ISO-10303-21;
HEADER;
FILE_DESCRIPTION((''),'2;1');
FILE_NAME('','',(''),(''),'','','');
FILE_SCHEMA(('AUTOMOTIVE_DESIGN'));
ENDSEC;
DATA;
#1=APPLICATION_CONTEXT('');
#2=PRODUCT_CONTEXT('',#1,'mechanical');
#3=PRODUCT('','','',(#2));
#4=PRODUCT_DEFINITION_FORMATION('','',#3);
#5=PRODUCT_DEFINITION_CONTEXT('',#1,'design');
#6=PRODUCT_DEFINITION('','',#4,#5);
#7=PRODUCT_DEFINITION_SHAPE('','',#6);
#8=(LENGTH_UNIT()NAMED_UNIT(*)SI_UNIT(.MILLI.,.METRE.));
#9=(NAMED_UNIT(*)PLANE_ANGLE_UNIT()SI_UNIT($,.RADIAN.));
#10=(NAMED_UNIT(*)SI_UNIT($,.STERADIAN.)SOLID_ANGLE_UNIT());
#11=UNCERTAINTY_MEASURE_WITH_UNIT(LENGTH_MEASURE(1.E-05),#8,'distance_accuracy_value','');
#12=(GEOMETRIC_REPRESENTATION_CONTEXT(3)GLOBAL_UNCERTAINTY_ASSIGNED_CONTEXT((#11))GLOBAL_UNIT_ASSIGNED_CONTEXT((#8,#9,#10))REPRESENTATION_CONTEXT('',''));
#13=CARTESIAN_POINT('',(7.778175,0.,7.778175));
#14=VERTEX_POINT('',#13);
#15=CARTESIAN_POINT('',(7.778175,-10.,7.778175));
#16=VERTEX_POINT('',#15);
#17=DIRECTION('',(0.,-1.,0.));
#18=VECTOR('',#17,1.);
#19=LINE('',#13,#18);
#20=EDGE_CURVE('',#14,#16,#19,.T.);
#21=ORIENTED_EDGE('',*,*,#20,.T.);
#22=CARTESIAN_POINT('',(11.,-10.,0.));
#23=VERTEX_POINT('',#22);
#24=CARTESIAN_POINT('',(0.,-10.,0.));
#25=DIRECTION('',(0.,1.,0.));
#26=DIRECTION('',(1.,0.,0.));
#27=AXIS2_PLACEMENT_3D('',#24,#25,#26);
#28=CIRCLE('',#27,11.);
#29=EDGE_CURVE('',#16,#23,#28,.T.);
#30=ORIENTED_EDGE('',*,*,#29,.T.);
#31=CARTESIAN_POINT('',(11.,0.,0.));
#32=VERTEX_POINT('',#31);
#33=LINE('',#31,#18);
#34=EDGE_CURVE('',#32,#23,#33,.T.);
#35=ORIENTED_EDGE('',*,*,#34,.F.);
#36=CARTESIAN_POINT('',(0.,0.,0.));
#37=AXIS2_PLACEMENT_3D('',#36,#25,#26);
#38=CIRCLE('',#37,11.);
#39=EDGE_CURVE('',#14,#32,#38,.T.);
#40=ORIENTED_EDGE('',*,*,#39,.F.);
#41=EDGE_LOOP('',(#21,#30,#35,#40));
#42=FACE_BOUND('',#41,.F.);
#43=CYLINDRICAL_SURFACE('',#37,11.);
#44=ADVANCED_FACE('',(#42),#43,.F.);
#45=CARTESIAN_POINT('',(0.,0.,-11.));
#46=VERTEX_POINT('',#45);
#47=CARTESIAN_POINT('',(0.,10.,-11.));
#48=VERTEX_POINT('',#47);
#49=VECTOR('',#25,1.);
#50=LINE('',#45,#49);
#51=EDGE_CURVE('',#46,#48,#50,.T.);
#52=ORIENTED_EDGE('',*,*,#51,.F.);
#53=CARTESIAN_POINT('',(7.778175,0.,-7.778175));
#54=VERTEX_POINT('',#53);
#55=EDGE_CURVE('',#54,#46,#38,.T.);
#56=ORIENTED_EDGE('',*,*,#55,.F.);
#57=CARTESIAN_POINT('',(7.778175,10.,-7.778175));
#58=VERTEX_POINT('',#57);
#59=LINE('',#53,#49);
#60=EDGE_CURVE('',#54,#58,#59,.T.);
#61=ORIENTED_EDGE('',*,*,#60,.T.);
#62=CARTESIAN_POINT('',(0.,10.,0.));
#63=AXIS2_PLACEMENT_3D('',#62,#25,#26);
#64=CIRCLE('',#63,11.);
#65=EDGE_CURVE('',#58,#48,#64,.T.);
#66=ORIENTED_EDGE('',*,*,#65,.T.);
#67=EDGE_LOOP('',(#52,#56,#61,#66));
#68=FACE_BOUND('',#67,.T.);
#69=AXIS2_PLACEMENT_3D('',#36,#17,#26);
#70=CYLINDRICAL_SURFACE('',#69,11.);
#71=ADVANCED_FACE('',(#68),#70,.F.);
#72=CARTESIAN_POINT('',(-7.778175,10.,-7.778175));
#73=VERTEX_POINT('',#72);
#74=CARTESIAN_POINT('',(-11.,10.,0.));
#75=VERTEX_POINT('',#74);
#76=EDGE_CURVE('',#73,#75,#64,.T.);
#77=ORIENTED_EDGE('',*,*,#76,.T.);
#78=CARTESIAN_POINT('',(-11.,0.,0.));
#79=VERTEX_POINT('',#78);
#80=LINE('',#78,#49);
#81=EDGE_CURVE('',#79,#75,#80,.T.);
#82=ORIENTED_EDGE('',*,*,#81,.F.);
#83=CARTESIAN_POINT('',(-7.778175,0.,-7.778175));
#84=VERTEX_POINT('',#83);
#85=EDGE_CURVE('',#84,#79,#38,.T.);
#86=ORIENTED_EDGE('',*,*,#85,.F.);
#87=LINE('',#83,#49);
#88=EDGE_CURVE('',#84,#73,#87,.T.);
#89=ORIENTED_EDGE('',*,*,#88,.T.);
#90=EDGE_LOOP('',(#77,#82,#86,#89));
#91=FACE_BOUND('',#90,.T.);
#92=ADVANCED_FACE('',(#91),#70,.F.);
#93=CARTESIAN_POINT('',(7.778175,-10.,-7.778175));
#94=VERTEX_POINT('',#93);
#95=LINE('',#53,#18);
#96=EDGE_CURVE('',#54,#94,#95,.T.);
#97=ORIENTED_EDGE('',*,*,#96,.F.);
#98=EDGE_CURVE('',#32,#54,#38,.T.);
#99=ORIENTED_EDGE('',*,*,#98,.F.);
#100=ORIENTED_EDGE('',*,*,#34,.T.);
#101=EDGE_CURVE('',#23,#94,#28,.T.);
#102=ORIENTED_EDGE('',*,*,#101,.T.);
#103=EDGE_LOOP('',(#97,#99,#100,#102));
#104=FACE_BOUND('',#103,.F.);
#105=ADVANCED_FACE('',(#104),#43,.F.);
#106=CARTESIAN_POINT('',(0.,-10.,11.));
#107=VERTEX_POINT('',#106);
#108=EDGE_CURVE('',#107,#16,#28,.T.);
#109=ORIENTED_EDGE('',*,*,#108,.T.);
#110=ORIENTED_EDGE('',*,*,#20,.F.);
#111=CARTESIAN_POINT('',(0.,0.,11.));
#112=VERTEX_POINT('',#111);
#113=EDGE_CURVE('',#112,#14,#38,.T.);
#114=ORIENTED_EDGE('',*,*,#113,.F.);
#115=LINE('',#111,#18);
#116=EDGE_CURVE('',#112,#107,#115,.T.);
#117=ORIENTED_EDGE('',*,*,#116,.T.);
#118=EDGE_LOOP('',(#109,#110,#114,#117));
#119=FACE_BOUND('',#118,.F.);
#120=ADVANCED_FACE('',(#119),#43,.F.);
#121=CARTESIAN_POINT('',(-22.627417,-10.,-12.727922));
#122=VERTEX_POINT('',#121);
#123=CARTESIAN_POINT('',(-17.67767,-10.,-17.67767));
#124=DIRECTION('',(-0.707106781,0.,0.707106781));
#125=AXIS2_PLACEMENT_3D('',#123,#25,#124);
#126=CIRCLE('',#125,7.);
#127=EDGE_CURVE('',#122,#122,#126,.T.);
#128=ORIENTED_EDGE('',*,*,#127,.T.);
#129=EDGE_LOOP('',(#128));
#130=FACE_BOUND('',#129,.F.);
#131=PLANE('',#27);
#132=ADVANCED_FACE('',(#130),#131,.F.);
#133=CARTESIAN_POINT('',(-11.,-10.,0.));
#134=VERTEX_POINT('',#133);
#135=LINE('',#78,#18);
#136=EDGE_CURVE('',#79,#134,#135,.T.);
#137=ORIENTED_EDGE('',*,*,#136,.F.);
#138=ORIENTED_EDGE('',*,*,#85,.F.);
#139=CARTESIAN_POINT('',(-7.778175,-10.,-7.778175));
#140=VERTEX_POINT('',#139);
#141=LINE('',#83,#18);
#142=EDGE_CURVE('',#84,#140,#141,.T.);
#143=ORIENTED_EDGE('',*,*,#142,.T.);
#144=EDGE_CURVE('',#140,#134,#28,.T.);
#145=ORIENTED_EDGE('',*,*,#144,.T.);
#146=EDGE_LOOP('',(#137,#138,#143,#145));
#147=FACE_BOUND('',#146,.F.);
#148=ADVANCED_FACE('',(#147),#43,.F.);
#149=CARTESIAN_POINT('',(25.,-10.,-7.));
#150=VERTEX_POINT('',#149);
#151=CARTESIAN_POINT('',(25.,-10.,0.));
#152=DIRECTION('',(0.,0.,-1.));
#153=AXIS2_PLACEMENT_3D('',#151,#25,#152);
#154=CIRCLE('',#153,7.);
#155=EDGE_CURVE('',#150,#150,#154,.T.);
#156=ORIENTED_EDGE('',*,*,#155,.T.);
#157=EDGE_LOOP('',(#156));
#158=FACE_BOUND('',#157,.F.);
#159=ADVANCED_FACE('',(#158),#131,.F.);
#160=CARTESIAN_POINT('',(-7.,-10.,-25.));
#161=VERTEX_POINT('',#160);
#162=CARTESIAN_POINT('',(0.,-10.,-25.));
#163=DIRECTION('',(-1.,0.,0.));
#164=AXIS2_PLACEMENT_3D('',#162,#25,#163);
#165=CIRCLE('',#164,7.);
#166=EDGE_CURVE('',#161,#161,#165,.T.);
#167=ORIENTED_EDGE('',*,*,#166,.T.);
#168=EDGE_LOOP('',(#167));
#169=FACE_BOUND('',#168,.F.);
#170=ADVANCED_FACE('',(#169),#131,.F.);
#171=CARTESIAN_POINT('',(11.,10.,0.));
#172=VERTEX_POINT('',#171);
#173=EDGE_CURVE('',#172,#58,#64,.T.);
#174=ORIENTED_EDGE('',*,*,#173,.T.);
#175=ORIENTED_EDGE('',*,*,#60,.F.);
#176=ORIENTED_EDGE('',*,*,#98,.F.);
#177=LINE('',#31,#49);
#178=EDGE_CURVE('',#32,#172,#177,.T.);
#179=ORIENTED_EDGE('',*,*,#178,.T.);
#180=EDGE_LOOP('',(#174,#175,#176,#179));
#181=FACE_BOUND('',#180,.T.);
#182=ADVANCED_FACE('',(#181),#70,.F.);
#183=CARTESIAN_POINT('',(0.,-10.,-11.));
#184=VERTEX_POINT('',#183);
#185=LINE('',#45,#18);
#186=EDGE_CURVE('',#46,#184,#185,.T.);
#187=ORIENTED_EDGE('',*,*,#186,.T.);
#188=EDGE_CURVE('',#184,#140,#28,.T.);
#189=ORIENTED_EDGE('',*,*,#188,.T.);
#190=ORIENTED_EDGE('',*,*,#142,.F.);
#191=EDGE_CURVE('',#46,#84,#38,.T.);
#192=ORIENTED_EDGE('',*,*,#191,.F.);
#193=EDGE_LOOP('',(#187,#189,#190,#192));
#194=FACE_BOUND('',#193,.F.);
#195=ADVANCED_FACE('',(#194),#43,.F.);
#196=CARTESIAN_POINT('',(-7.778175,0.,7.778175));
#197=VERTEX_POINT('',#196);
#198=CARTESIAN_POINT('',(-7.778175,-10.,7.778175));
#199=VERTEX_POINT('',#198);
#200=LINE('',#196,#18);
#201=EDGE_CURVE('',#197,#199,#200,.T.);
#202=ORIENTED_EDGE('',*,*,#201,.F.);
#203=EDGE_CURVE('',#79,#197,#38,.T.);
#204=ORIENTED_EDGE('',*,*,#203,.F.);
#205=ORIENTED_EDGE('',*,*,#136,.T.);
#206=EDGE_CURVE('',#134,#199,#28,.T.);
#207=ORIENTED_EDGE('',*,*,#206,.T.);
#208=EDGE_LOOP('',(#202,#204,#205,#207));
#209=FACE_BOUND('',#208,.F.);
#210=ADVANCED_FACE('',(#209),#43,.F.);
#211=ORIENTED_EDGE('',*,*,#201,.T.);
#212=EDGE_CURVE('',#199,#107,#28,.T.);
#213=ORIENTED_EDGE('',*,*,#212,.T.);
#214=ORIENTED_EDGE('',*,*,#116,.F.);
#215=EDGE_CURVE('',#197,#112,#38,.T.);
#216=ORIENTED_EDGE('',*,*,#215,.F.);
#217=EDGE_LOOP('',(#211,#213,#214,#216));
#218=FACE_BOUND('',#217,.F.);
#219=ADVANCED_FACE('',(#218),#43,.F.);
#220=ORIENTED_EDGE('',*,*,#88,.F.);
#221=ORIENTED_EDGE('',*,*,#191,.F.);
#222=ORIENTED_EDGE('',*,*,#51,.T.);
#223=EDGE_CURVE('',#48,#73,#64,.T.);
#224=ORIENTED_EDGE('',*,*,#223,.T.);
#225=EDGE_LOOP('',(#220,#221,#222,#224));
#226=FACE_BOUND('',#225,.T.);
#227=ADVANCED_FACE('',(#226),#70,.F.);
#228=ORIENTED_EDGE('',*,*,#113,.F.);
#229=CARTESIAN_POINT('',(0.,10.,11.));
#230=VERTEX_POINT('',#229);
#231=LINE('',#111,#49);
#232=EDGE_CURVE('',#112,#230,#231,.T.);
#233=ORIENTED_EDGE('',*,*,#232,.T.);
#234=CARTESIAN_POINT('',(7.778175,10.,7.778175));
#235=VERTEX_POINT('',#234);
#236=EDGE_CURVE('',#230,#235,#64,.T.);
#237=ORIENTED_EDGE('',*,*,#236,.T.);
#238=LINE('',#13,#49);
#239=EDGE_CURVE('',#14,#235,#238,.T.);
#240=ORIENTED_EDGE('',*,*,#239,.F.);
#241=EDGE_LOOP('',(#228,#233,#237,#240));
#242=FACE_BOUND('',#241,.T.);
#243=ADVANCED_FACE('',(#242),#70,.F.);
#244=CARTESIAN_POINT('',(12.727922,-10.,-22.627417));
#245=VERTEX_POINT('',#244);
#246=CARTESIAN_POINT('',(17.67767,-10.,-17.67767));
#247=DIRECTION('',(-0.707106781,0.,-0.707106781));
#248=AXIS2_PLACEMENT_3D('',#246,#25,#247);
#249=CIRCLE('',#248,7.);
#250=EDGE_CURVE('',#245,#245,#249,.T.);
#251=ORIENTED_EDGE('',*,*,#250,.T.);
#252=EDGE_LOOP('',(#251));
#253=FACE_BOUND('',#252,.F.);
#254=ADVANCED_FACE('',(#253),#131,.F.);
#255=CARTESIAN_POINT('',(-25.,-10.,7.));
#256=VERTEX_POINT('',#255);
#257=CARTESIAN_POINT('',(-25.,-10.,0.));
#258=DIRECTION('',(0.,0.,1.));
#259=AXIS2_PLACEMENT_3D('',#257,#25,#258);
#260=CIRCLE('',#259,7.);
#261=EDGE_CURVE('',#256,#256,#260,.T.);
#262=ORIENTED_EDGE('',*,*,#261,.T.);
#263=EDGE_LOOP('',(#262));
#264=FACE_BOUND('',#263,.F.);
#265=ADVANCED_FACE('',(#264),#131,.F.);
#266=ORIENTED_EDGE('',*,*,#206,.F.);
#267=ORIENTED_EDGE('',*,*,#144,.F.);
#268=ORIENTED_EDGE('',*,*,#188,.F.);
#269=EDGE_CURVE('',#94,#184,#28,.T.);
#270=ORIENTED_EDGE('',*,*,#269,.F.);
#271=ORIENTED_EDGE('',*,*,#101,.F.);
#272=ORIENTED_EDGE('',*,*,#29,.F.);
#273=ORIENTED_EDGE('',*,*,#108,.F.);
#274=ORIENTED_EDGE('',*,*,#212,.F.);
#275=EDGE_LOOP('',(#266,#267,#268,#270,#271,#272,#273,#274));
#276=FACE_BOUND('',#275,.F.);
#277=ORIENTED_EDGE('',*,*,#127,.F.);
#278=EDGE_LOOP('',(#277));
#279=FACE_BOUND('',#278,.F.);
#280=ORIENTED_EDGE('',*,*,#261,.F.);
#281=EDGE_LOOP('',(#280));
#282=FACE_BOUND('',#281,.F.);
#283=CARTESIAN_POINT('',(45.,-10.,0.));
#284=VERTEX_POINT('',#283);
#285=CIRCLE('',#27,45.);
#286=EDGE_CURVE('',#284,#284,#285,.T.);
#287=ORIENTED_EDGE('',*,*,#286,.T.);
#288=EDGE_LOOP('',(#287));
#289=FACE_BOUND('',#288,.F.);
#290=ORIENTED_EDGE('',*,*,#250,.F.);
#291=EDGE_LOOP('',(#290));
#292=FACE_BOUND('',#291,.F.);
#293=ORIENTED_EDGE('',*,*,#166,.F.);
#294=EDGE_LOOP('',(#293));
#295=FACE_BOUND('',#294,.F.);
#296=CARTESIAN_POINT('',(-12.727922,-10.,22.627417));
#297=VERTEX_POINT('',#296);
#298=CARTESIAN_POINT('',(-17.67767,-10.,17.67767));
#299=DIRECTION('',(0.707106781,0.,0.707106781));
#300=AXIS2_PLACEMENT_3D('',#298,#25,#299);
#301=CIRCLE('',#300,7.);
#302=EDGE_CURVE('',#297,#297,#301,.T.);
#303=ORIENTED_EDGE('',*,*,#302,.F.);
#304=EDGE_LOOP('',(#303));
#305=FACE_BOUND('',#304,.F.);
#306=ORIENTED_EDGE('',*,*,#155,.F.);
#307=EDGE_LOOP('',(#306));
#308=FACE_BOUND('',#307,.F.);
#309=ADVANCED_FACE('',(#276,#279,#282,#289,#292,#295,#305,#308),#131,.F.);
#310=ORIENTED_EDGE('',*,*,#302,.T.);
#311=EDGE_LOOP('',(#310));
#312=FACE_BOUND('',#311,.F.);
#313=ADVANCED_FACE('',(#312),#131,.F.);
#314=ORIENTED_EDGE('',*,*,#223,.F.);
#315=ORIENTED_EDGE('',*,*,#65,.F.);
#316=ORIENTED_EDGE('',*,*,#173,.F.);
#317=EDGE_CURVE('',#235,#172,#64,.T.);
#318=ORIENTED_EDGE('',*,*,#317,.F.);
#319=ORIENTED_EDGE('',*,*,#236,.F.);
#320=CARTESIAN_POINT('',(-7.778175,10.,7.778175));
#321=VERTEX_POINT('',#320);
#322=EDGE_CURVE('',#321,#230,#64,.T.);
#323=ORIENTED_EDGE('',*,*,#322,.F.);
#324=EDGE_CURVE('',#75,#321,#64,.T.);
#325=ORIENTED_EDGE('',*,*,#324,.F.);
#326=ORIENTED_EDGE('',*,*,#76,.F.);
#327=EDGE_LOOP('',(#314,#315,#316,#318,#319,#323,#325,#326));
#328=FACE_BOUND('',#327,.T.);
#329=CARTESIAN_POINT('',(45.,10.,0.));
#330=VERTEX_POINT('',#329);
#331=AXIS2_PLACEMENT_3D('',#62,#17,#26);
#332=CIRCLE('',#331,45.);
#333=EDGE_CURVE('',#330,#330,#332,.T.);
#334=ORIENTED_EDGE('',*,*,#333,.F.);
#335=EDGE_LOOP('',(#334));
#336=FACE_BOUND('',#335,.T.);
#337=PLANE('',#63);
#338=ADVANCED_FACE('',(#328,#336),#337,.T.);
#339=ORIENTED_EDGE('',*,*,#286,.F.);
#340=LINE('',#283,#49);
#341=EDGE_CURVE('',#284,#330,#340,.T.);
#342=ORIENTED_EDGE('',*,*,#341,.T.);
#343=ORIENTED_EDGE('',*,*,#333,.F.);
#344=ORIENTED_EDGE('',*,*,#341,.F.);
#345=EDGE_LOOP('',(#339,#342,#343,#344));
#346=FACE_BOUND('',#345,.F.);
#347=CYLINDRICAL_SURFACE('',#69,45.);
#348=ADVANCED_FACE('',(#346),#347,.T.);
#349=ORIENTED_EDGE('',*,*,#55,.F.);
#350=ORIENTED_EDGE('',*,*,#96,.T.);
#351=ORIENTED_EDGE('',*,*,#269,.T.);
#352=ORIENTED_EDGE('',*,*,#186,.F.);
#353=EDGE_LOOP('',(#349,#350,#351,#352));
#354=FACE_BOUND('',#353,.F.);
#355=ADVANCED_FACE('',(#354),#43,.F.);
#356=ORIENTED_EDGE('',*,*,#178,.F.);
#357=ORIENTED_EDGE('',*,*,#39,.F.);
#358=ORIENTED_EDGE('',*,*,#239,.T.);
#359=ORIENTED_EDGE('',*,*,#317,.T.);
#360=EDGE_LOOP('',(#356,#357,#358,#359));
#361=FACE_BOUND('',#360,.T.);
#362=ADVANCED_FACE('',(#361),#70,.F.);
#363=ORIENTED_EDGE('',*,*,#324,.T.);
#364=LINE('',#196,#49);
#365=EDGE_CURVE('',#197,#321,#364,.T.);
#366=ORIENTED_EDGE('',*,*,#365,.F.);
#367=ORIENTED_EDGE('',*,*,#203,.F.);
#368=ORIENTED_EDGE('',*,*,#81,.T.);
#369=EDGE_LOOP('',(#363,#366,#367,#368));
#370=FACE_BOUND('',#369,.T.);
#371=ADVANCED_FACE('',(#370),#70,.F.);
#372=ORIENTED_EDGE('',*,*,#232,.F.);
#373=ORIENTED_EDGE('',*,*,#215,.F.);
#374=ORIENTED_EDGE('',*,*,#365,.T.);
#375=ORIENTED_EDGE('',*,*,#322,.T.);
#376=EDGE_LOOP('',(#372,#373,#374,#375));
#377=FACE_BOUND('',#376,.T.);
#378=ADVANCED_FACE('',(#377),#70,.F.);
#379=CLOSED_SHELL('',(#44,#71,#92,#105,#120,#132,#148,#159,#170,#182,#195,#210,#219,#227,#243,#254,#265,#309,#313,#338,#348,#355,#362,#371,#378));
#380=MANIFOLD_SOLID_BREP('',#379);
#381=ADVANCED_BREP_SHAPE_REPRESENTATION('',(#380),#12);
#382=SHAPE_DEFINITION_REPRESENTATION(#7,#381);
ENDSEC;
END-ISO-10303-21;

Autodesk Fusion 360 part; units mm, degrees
sketch "Sketch1" plane through (0, 0, 0) normal (0, 1, 0) x (1, 0, 0)
  circle A0 centre (0, 0) radius 11
  circle A1 centre (0, 0) radius 45
  circle A2 centre (0, -25) radius 7
  dimension "d1" = 22
  dimension "d2" = 14
extrude "Extrude1" add sketch "Sketch1" along normal mid plane 20
pattern_circular "C-Pattern1" count 8 over 360 about axis through (0, 1.75, 0) along (0, 1, 0) of "Extrude1"
